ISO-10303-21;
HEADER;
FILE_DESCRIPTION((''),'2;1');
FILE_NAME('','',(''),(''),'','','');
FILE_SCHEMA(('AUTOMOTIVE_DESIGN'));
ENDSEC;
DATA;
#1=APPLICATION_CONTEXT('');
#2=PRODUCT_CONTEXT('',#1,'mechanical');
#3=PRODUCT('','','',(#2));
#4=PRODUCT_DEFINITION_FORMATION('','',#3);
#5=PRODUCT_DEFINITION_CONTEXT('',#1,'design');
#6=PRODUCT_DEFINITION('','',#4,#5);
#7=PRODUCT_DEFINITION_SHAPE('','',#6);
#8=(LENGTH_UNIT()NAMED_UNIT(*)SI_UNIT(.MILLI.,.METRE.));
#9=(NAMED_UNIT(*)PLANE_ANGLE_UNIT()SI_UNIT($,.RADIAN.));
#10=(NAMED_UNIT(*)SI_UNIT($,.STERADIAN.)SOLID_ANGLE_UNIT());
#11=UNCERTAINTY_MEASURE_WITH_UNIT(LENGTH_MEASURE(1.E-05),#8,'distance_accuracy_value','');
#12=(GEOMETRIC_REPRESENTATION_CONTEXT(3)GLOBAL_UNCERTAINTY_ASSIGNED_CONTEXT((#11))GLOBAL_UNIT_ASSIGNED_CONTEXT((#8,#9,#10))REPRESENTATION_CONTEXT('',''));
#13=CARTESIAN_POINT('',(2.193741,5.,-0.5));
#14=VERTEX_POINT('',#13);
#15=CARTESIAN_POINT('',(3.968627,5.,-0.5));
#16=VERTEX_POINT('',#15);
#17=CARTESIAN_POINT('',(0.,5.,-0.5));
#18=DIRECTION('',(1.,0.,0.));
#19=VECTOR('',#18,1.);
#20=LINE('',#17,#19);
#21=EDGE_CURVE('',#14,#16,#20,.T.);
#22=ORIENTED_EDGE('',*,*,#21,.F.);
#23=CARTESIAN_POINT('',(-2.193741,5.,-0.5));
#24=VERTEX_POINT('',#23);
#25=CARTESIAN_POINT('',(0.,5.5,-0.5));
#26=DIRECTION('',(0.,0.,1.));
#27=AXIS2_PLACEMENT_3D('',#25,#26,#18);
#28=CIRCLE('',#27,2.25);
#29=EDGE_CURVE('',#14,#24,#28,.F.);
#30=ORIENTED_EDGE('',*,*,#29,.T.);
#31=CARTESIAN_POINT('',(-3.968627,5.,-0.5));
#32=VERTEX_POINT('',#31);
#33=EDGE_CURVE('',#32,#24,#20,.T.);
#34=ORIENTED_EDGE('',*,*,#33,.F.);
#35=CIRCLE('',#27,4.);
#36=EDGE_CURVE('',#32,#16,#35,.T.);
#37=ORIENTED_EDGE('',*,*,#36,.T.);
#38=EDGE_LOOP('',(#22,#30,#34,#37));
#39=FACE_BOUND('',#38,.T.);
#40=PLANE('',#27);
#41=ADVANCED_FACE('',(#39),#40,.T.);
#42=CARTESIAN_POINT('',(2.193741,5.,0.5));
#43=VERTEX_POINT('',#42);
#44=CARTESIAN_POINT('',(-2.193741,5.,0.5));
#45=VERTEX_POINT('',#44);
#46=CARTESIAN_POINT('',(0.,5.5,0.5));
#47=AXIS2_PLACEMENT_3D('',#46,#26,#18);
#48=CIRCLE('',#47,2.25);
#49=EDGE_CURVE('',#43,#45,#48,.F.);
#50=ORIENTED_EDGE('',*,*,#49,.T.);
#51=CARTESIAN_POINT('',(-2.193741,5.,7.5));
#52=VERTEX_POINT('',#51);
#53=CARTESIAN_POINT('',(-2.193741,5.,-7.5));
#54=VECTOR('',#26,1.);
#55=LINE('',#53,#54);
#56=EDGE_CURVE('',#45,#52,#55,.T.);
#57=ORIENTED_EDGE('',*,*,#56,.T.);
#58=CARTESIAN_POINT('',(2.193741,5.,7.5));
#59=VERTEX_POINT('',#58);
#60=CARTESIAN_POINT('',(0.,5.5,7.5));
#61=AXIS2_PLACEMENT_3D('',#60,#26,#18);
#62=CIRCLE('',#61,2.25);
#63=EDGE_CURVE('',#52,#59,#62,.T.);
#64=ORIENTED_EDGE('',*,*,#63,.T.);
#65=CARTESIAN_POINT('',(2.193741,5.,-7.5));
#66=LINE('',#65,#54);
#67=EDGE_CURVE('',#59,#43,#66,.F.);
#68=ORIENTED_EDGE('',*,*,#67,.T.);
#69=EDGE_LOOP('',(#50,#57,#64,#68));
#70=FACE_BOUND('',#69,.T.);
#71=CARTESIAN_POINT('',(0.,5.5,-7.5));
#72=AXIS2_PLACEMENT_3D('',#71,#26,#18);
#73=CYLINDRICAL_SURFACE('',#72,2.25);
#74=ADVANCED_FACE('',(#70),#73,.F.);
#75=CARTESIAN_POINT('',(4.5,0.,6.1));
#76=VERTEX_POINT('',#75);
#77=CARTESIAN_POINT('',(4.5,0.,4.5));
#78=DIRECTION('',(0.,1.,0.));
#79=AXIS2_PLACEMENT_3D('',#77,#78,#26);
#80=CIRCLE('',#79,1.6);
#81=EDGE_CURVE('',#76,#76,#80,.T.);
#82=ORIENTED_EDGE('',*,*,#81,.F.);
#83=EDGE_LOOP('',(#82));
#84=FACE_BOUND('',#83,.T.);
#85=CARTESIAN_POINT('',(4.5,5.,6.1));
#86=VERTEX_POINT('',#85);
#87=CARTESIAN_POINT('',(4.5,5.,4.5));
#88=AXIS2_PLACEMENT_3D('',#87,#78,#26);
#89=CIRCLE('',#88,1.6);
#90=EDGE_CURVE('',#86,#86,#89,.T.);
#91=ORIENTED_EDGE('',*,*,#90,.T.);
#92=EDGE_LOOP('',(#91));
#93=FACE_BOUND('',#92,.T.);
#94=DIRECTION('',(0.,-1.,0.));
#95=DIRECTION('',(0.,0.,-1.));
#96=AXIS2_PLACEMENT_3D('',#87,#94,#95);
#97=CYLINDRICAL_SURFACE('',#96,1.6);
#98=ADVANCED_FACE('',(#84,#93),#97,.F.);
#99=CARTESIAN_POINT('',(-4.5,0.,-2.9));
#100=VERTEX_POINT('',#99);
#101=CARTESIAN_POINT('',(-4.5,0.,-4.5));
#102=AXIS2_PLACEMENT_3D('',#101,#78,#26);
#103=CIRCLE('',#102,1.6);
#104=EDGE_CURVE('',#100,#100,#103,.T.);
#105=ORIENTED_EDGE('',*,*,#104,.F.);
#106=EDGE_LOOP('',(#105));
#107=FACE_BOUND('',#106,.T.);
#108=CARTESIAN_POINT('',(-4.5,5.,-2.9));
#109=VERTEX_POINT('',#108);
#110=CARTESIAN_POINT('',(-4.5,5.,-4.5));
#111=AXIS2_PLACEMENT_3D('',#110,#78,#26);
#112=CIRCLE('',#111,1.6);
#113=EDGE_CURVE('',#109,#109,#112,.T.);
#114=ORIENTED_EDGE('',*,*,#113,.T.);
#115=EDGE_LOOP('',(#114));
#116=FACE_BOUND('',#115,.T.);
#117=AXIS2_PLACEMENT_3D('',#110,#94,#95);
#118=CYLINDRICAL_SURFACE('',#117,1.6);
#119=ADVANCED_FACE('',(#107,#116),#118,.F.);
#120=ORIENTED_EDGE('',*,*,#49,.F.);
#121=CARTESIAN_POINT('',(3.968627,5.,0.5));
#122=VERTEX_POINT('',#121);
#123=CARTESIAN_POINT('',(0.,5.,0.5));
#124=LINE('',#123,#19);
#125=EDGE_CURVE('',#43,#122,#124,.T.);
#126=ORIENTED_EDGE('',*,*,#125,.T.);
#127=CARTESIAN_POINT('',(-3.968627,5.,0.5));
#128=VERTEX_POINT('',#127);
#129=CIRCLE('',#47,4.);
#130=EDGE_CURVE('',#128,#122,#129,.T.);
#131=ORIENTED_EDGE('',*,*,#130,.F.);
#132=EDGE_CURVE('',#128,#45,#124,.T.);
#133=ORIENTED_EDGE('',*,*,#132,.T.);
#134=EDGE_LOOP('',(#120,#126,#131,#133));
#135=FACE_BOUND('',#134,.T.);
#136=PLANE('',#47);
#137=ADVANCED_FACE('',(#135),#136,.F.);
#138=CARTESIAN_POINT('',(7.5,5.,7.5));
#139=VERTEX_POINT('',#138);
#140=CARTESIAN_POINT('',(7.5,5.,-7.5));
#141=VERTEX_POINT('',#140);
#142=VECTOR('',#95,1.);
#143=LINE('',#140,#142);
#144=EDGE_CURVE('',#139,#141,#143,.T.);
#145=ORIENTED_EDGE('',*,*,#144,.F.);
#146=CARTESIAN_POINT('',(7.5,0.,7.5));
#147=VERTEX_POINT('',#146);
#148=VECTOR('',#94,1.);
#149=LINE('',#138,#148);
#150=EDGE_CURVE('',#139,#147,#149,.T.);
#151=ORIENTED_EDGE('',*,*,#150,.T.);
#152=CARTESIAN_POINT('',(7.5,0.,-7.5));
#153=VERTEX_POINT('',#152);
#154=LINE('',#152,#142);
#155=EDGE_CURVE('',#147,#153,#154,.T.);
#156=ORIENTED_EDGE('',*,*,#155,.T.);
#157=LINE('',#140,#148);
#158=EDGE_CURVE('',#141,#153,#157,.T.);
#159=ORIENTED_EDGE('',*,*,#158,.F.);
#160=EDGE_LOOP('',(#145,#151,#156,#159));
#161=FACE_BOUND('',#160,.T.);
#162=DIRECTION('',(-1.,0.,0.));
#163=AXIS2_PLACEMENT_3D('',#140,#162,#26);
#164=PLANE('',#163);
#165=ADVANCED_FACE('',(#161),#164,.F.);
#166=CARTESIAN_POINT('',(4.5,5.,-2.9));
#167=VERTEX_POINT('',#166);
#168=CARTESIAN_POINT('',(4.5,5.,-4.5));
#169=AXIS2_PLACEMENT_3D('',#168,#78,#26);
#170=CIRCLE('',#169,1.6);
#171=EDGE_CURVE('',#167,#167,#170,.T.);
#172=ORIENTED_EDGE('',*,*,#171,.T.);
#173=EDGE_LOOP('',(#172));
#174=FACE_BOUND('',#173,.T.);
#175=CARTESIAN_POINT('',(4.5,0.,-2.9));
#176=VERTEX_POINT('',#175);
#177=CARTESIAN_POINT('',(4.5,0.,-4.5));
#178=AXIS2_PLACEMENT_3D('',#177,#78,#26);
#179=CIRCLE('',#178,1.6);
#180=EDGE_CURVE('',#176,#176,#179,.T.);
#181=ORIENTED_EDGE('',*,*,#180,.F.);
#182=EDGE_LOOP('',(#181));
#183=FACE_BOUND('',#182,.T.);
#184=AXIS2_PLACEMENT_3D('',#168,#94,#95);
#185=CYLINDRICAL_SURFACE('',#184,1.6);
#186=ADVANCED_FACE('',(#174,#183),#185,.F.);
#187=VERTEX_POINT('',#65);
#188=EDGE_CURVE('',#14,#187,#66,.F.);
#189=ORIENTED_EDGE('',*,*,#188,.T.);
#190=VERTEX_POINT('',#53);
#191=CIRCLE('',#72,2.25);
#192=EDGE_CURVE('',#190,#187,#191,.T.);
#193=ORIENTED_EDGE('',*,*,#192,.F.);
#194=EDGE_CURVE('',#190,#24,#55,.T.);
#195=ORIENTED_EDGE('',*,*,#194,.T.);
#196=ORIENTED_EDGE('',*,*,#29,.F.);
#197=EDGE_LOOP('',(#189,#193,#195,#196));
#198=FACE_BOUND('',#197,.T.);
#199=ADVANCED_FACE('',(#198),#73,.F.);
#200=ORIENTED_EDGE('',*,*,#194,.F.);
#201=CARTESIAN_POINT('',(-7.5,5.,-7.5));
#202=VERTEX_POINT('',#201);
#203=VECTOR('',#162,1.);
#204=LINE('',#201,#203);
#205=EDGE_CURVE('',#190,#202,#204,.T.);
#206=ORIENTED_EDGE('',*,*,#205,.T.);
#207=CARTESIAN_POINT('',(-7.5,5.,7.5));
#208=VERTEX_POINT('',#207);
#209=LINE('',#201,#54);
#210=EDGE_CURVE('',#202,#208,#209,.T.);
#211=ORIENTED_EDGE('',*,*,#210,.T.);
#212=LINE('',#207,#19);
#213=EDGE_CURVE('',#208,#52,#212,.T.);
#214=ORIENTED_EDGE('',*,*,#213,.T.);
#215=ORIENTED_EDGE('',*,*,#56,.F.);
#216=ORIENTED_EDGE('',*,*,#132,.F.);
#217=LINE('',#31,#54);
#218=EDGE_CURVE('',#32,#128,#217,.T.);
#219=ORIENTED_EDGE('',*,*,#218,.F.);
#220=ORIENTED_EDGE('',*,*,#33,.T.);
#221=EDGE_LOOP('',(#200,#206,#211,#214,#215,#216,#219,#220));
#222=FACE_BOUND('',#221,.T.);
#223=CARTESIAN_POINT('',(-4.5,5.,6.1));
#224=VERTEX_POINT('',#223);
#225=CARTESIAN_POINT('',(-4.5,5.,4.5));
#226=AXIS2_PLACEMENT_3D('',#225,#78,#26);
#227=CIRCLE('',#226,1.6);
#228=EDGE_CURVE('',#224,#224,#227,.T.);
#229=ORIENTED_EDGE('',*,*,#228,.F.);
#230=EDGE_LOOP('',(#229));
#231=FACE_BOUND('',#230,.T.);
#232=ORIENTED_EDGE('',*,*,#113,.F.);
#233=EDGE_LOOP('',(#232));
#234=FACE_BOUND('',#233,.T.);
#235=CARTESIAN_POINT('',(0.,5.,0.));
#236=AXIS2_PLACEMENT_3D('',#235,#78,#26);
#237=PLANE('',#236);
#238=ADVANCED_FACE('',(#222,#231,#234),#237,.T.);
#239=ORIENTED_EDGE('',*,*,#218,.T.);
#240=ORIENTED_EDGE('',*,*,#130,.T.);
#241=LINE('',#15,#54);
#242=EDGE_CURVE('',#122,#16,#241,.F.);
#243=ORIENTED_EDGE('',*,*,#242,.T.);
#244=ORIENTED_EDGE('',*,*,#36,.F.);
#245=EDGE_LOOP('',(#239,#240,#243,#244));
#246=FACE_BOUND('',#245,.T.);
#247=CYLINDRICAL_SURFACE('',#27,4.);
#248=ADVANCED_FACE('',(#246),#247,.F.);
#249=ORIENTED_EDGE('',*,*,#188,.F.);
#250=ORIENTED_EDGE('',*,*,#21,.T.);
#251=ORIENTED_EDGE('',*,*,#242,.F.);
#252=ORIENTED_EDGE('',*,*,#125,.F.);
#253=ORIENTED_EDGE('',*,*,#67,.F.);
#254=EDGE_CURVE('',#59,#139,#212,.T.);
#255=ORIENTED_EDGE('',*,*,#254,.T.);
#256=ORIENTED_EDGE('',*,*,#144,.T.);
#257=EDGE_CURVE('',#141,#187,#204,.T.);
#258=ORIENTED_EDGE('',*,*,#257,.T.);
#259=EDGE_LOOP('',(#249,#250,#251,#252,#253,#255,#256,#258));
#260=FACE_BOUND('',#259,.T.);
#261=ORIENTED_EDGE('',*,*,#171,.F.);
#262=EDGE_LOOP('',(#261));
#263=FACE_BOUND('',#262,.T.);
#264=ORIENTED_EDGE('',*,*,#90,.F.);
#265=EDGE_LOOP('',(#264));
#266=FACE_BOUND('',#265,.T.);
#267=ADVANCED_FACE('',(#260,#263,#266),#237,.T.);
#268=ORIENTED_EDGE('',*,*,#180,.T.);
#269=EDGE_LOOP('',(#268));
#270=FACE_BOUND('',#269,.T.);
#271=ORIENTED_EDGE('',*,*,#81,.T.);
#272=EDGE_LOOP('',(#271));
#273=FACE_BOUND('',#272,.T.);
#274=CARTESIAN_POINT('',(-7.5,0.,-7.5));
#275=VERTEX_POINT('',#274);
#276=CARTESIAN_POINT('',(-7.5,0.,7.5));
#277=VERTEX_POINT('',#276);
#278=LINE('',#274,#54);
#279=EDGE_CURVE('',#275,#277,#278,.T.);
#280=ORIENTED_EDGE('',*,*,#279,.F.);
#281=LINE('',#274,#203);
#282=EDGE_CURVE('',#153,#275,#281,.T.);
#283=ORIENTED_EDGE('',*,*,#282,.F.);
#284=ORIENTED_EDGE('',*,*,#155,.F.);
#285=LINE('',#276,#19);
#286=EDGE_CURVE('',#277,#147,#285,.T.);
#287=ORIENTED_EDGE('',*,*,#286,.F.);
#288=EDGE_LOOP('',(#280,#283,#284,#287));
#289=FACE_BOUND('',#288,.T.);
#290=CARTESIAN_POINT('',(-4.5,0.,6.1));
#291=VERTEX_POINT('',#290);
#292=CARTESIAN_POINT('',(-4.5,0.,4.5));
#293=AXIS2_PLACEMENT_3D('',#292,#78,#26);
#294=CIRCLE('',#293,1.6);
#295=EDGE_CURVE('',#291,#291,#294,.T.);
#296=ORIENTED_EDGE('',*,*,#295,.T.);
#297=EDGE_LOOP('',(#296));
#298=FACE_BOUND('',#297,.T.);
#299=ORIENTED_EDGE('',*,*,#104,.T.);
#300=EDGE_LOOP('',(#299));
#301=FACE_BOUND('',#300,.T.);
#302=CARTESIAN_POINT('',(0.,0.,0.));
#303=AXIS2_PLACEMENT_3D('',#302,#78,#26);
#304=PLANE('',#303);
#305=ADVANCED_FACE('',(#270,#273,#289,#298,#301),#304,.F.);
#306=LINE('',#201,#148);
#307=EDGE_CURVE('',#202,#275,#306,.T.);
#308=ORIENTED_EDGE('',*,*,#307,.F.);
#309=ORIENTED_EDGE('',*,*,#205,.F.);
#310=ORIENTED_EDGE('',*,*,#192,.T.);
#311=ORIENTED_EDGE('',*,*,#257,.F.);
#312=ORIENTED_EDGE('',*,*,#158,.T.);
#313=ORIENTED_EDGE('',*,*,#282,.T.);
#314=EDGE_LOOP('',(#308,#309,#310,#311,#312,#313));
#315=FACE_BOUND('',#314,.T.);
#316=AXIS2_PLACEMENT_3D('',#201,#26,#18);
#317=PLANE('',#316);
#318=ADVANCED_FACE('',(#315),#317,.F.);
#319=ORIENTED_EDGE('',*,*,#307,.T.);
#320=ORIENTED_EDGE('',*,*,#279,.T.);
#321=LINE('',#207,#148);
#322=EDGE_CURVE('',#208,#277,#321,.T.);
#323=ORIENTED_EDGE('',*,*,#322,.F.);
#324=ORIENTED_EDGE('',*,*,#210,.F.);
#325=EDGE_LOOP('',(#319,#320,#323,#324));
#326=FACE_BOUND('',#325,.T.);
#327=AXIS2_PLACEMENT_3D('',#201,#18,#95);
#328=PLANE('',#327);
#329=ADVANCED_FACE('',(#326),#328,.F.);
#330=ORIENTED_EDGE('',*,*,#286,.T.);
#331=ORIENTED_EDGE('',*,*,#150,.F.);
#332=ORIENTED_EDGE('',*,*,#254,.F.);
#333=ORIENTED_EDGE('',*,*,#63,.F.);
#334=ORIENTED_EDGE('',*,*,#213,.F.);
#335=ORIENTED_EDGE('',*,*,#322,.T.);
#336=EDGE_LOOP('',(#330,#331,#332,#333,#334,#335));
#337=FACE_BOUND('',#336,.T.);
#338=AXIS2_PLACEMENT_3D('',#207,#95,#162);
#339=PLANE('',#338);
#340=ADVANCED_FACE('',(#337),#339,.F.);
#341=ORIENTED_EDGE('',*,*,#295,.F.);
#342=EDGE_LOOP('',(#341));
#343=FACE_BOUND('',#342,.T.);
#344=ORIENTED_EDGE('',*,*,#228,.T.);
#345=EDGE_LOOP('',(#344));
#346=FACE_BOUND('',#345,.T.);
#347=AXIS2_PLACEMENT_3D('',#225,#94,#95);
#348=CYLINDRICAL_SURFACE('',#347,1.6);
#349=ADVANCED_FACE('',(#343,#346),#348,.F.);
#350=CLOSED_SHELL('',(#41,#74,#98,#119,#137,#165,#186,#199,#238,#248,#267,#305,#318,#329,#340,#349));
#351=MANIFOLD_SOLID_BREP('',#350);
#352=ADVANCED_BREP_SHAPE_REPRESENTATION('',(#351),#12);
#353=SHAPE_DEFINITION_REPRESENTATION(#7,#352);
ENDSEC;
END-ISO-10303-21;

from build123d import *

# Parameters (mm, degrees)
SKIZZE1_W                       = 15
SKIZZE1_H                       = 15
SKIZZE1_R                       = 1.6
AUFSATZ_LINEAR_AUSTRAGEN1_DEPTH = 5
SKIZZE2_R                       = 2.25
SCHNITT_LINEAR_AUSTRAGEN1_DEPTH = 16
SKIZZE3_R                       = 4
SCHNITT_LINEAR_AUSTRAGEN2_DEPTH = 1


with BuildPart() as part:
    # Skizze1 → Aufsatz-Linear austragen1 (new body)
    with BuildSketch(Plane(origin=(0, 0, 0), x_dir=(1, 0, 0), z_dir=(0, 1, 0))):
        Rectangle(SKIZZE1_W, SKIZZE1_H)
        with Locations((-4.5, 4.5)):
            Circle(SKIZZE1_R, mode=Mode.SUBTRACT)
        with Locations((-4.5, -4.5)):
            Circle(SKIZZE1_R, mode=Mode.SUBTRACT)
        with Locations((4.5, -4.5)):
            Circle(SKIZZE1_R, mode=Mode.SUBTRACT)
        with Locations((4.5, 4.5)):
            Circle(SKIZZE1_R, mode=Mode.SUBTRACT)
    extrude(amount=AUFSATZ_LINEAR_AUSTRAGEN1_DEPTH)

    # Skizze2 → Schnitt-Linear austragen1 (cut, through all)
    with BuildSketch(Plane.XY.offset(7.5)):
        with Locations((0, 5.5)):
            Circle(SKIZZE2_R)
    extrude(amount=-SCHNITT_LINEAR_AUSTRAGEN1_DEPTH, mode=Mode.SUBTRACT)

    # Skizze3 → Schnitt-Linear austragen2 (cut)
    with BuildSketch(Plane.XY.offset(0.5)):
        with Locations((0, 5.5)):
            Circle(SKIZZE3_R)
    extrude(amount=-SCHNITT_LINEAR_AUSTRAGEN2_DEPTH, mode=Mode.SUBTRACT)


solid = part.part
